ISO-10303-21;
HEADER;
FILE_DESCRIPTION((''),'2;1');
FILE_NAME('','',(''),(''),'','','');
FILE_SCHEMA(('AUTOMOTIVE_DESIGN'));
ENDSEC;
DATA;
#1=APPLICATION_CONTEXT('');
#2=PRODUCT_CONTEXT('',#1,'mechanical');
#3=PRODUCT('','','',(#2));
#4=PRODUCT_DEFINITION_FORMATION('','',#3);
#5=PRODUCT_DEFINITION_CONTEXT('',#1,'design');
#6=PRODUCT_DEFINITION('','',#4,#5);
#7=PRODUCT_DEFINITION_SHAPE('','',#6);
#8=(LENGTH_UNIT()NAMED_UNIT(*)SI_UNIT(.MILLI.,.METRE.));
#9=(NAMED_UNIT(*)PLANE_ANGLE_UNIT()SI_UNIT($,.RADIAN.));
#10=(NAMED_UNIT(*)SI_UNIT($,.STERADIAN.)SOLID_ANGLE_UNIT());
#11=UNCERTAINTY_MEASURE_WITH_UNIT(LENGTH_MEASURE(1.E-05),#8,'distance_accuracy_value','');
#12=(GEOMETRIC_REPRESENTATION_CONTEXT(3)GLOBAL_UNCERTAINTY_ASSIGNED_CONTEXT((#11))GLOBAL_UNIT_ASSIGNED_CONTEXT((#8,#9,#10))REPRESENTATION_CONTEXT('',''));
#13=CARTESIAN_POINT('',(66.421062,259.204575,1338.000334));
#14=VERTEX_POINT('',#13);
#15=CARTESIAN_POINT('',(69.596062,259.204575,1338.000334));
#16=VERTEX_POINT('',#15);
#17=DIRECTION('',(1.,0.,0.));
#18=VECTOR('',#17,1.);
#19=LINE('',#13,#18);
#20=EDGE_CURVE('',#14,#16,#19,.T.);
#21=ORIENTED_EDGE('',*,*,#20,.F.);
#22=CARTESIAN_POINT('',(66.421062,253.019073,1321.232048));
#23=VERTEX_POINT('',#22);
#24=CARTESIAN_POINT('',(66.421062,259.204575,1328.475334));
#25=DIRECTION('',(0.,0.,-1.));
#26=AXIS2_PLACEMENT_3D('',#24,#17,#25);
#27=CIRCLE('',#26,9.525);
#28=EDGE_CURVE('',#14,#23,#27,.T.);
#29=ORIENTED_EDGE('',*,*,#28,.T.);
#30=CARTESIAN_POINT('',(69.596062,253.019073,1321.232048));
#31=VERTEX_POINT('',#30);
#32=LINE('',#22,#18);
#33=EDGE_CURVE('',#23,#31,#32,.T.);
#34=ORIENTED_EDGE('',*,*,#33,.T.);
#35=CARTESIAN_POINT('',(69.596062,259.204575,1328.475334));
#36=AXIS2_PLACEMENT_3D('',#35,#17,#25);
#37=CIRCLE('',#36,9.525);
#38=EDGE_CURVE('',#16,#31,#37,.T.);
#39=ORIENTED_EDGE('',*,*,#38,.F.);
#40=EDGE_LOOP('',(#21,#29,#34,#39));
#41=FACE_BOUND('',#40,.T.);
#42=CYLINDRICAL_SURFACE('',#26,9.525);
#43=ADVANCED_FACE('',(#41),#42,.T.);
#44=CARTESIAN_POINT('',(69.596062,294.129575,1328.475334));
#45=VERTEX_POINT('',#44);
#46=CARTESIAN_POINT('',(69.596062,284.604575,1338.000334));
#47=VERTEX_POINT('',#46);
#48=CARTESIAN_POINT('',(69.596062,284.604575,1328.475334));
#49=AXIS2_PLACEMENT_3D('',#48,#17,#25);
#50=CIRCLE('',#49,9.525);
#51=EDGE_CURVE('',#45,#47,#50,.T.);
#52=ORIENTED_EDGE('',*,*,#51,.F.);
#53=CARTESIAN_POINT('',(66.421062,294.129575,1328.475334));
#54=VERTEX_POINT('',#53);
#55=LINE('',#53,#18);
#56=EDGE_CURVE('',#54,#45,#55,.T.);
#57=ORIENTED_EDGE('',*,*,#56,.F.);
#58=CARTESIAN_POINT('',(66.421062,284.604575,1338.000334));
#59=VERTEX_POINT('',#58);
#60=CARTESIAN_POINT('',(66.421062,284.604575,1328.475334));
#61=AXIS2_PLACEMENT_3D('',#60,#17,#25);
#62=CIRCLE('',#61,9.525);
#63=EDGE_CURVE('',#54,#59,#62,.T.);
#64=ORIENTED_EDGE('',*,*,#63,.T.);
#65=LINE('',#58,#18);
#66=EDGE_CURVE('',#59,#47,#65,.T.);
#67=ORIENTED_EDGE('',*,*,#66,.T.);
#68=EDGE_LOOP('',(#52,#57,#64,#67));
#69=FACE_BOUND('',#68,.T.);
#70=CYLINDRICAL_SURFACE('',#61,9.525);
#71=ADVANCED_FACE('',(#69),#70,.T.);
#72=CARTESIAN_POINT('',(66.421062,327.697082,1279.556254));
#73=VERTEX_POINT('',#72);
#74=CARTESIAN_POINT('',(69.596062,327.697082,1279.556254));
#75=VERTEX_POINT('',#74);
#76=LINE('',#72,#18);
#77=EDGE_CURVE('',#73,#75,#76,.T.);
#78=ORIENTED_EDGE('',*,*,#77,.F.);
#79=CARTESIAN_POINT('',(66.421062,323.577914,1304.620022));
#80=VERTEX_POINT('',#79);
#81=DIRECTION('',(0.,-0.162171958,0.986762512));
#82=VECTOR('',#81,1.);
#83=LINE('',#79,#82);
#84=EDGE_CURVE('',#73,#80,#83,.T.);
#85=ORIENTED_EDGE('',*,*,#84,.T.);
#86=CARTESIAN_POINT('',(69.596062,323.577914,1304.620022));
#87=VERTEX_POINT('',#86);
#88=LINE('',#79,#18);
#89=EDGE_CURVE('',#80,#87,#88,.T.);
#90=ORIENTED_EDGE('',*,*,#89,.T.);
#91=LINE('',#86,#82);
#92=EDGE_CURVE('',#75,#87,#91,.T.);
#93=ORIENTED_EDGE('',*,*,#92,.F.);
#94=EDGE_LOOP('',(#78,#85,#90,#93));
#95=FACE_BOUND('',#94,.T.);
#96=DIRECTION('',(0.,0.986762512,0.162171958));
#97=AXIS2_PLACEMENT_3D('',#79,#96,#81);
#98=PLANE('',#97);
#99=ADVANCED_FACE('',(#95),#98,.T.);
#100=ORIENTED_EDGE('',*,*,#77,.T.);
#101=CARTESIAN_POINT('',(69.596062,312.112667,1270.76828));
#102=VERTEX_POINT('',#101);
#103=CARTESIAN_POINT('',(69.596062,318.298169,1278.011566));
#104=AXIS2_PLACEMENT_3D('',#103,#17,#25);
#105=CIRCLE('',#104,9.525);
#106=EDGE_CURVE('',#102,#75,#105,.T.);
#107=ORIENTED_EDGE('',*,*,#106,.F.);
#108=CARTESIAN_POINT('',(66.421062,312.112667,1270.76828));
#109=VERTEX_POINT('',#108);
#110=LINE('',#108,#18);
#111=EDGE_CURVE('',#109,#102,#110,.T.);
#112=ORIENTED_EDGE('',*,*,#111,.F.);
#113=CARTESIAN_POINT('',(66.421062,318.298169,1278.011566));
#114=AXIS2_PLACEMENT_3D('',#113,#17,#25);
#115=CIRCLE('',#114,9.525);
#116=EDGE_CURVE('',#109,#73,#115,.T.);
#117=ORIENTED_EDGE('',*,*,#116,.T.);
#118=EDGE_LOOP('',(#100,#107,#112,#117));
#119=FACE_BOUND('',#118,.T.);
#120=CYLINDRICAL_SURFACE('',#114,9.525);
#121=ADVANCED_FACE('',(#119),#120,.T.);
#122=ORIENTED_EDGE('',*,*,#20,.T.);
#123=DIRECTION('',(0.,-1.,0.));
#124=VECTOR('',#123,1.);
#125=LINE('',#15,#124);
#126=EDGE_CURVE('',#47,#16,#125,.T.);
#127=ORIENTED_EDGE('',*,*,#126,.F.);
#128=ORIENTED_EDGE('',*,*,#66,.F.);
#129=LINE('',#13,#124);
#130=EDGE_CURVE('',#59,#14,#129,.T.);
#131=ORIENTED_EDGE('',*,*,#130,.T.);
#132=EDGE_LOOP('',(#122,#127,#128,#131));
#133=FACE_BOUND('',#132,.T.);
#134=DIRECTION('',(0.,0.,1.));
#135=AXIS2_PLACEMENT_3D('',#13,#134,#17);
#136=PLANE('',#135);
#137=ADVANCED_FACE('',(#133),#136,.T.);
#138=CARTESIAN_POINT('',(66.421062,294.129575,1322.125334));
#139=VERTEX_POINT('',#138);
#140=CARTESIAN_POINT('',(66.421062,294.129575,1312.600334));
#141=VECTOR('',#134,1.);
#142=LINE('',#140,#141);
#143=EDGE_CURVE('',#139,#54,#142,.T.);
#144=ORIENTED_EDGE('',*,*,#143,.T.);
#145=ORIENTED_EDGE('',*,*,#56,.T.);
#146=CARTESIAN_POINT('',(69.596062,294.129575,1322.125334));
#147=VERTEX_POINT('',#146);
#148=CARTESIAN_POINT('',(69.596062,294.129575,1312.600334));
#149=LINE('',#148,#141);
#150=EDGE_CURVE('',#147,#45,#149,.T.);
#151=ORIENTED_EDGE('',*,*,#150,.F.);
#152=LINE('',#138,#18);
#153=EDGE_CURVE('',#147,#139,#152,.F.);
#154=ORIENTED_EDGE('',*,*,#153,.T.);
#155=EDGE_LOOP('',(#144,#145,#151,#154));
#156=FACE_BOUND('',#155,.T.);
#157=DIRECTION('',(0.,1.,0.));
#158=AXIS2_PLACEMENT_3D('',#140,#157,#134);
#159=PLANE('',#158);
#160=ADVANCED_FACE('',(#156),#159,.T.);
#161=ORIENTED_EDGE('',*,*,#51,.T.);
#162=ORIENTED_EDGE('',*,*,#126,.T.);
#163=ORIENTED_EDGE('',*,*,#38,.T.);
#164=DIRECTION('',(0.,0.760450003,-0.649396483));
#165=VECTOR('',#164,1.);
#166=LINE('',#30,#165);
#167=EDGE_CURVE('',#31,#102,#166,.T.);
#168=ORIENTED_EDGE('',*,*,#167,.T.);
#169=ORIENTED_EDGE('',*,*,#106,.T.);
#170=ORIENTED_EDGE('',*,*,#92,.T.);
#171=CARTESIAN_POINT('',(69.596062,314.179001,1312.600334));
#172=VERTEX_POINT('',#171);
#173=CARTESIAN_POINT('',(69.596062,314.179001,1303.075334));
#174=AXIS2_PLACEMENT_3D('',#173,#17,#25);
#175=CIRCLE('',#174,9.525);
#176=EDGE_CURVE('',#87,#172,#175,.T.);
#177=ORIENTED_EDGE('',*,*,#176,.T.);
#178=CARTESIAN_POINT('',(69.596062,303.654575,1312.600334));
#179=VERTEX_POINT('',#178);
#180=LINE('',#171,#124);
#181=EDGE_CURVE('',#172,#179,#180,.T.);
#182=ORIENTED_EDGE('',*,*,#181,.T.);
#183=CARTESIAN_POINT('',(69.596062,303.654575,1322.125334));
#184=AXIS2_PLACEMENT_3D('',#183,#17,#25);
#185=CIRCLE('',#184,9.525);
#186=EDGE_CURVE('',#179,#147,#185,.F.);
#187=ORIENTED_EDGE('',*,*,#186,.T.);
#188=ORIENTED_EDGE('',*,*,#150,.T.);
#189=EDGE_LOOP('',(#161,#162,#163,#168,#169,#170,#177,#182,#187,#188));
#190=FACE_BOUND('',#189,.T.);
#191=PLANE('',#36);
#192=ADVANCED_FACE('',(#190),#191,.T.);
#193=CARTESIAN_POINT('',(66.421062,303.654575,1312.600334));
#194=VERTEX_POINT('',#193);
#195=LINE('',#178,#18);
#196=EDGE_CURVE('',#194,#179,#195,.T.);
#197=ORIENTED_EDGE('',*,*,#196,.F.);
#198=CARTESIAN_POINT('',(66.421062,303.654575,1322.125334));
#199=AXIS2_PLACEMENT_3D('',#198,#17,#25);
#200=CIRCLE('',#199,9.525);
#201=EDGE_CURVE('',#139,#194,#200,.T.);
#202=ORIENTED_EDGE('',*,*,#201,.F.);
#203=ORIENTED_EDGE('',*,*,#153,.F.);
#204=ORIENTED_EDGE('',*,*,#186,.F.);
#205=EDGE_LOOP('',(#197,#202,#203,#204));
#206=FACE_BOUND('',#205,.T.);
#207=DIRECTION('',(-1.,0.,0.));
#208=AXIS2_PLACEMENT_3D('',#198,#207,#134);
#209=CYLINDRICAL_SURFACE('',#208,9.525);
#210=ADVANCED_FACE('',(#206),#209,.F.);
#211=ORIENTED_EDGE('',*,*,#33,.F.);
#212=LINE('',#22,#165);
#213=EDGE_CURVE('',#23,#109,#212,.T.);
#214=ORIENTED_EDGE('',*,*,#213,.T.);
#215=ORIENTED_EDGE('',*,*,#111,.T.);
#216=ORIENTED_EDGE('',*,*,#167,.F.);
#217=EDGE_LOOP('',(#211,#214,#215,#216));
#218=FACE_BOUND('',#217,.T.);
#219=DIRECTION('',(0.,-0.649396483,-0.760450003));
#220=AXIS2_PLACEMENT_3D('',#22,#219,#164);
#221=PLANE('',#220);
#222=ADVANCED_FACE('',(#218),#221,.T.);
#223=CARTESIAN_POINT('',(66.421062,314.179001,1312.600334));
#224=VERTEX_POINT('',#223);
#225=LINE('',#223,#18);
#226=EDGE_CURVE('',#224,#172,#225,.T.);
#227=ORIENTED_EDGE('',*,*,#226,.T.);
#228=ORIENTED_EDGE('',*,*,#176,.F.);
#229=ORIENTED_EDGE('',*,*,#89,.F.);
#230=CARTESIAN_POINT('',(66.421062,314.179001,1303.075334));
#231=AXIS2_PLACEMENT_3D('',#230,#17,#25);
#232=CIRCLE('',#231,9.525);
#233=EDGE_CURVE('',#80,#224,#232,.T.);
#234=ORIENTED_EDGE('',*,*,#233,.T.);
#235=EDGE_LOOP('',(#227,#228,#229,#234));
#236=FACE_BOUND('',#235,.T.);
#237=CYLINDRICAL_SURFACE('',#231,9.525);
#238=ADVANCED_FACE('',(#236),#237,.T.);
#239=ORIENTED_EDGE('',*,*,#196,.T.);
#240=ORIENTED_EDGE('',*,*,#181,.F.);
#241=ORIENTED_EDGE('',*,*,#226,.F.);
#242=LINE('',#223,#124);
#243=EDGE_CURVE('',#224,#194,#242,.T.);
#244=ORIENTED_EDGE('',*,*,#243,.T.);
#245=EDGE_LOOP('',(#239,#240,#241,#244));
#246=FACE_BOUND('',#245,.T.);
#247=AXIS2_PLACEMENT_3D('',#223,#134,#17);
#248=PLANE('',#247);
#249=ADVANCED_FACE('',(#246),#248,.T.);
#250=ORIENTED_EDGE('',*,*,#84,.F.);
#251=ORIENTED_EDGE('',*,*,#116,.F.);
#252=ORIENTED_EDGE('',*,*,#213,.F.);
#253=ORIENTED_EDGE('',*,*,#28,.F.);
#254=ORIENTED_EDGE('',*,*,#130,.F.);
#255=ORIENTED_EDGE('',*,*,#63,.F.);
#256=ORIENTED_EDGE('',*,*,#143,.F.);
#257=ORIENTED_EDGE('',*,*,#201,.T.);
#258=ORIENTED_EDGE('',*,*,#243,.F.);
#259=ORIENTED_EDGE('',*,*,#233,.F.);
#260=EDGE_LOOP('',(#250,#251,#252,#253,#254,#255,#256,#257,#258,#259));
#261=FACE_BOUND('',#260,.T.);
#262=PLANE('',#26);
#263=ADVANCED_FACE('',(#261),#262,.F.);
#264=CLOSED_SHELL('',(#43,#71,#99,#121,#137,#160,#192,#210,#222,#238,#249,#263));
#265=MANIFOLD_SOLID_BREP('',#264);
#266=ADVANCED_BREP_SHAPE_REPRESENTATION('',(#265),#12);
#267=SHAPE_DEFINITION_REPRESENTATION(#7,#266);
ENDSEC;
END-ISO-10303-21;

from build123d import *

# Parameters (mm, degrees)
BOSS_EXTRUDE1_START = 66.421062
BOSS_EXTRUDE1_DEPTH = 3.175
FILLET1_R           = 9.525


with BuildPart() as part:
    # Sketch1 → Boss-Extrude1 (new body)
    with BuildSketch(Plane(origin=(0, 0, 0), x_dir=(0, 0, -1), z_dir=(1, 0, 0)).offset(BOSS_EXTRUDE1_START)):
        with BuildLine():
            Line((-1321.232047874, 253.01907305), (-1270.768280058, 312.11266745))
            ThreePointArc((-1270.768280058, 312.11266745), (-1269.714759772, 322.976697122), (-1279.556254241, 327.697081886))
            Line((-1279.556254241, 327.697081886), (-1304.620022056, 323.577914146))
            ThreePointArc((-1304.620022056, 323.577914146), (-1310.336145998, 320.343921033), (-1312.600334154, 314.179001215))
            Line((-1312.600334154, 314.179001215), (-1312.600334154, 294.129574554))
            Line((-1312.600334154, 294.129574554), (-1328.475334154, 294.129574554))
            ThreePointArc((-1328.475334154, 294.129574554), (-1335.210526245, 291.339766645), (-1338.000334154, 284.604574554))
            Line((-1338.000334154, 284.604574554), (-1338.000334154, 259.204574554))
            ThreePointArc((-1338.000334154, 259.204574554), (-1331.771796135, 250.268190307), (-1321.232047874, 253.01907305))
        make_face()
    extrude(amount=BOSS_EXTRUDE1_DEPTH)

    # Fillet1
    fillet1_edges = [part.edges().sort_by_distance(p)[0] for p in [
        (68.008562, 294.129574554, 1312.600334154),
    ]]
    fillet(fillet1_edges, radius=FILLET1_R)


solid = part.part
